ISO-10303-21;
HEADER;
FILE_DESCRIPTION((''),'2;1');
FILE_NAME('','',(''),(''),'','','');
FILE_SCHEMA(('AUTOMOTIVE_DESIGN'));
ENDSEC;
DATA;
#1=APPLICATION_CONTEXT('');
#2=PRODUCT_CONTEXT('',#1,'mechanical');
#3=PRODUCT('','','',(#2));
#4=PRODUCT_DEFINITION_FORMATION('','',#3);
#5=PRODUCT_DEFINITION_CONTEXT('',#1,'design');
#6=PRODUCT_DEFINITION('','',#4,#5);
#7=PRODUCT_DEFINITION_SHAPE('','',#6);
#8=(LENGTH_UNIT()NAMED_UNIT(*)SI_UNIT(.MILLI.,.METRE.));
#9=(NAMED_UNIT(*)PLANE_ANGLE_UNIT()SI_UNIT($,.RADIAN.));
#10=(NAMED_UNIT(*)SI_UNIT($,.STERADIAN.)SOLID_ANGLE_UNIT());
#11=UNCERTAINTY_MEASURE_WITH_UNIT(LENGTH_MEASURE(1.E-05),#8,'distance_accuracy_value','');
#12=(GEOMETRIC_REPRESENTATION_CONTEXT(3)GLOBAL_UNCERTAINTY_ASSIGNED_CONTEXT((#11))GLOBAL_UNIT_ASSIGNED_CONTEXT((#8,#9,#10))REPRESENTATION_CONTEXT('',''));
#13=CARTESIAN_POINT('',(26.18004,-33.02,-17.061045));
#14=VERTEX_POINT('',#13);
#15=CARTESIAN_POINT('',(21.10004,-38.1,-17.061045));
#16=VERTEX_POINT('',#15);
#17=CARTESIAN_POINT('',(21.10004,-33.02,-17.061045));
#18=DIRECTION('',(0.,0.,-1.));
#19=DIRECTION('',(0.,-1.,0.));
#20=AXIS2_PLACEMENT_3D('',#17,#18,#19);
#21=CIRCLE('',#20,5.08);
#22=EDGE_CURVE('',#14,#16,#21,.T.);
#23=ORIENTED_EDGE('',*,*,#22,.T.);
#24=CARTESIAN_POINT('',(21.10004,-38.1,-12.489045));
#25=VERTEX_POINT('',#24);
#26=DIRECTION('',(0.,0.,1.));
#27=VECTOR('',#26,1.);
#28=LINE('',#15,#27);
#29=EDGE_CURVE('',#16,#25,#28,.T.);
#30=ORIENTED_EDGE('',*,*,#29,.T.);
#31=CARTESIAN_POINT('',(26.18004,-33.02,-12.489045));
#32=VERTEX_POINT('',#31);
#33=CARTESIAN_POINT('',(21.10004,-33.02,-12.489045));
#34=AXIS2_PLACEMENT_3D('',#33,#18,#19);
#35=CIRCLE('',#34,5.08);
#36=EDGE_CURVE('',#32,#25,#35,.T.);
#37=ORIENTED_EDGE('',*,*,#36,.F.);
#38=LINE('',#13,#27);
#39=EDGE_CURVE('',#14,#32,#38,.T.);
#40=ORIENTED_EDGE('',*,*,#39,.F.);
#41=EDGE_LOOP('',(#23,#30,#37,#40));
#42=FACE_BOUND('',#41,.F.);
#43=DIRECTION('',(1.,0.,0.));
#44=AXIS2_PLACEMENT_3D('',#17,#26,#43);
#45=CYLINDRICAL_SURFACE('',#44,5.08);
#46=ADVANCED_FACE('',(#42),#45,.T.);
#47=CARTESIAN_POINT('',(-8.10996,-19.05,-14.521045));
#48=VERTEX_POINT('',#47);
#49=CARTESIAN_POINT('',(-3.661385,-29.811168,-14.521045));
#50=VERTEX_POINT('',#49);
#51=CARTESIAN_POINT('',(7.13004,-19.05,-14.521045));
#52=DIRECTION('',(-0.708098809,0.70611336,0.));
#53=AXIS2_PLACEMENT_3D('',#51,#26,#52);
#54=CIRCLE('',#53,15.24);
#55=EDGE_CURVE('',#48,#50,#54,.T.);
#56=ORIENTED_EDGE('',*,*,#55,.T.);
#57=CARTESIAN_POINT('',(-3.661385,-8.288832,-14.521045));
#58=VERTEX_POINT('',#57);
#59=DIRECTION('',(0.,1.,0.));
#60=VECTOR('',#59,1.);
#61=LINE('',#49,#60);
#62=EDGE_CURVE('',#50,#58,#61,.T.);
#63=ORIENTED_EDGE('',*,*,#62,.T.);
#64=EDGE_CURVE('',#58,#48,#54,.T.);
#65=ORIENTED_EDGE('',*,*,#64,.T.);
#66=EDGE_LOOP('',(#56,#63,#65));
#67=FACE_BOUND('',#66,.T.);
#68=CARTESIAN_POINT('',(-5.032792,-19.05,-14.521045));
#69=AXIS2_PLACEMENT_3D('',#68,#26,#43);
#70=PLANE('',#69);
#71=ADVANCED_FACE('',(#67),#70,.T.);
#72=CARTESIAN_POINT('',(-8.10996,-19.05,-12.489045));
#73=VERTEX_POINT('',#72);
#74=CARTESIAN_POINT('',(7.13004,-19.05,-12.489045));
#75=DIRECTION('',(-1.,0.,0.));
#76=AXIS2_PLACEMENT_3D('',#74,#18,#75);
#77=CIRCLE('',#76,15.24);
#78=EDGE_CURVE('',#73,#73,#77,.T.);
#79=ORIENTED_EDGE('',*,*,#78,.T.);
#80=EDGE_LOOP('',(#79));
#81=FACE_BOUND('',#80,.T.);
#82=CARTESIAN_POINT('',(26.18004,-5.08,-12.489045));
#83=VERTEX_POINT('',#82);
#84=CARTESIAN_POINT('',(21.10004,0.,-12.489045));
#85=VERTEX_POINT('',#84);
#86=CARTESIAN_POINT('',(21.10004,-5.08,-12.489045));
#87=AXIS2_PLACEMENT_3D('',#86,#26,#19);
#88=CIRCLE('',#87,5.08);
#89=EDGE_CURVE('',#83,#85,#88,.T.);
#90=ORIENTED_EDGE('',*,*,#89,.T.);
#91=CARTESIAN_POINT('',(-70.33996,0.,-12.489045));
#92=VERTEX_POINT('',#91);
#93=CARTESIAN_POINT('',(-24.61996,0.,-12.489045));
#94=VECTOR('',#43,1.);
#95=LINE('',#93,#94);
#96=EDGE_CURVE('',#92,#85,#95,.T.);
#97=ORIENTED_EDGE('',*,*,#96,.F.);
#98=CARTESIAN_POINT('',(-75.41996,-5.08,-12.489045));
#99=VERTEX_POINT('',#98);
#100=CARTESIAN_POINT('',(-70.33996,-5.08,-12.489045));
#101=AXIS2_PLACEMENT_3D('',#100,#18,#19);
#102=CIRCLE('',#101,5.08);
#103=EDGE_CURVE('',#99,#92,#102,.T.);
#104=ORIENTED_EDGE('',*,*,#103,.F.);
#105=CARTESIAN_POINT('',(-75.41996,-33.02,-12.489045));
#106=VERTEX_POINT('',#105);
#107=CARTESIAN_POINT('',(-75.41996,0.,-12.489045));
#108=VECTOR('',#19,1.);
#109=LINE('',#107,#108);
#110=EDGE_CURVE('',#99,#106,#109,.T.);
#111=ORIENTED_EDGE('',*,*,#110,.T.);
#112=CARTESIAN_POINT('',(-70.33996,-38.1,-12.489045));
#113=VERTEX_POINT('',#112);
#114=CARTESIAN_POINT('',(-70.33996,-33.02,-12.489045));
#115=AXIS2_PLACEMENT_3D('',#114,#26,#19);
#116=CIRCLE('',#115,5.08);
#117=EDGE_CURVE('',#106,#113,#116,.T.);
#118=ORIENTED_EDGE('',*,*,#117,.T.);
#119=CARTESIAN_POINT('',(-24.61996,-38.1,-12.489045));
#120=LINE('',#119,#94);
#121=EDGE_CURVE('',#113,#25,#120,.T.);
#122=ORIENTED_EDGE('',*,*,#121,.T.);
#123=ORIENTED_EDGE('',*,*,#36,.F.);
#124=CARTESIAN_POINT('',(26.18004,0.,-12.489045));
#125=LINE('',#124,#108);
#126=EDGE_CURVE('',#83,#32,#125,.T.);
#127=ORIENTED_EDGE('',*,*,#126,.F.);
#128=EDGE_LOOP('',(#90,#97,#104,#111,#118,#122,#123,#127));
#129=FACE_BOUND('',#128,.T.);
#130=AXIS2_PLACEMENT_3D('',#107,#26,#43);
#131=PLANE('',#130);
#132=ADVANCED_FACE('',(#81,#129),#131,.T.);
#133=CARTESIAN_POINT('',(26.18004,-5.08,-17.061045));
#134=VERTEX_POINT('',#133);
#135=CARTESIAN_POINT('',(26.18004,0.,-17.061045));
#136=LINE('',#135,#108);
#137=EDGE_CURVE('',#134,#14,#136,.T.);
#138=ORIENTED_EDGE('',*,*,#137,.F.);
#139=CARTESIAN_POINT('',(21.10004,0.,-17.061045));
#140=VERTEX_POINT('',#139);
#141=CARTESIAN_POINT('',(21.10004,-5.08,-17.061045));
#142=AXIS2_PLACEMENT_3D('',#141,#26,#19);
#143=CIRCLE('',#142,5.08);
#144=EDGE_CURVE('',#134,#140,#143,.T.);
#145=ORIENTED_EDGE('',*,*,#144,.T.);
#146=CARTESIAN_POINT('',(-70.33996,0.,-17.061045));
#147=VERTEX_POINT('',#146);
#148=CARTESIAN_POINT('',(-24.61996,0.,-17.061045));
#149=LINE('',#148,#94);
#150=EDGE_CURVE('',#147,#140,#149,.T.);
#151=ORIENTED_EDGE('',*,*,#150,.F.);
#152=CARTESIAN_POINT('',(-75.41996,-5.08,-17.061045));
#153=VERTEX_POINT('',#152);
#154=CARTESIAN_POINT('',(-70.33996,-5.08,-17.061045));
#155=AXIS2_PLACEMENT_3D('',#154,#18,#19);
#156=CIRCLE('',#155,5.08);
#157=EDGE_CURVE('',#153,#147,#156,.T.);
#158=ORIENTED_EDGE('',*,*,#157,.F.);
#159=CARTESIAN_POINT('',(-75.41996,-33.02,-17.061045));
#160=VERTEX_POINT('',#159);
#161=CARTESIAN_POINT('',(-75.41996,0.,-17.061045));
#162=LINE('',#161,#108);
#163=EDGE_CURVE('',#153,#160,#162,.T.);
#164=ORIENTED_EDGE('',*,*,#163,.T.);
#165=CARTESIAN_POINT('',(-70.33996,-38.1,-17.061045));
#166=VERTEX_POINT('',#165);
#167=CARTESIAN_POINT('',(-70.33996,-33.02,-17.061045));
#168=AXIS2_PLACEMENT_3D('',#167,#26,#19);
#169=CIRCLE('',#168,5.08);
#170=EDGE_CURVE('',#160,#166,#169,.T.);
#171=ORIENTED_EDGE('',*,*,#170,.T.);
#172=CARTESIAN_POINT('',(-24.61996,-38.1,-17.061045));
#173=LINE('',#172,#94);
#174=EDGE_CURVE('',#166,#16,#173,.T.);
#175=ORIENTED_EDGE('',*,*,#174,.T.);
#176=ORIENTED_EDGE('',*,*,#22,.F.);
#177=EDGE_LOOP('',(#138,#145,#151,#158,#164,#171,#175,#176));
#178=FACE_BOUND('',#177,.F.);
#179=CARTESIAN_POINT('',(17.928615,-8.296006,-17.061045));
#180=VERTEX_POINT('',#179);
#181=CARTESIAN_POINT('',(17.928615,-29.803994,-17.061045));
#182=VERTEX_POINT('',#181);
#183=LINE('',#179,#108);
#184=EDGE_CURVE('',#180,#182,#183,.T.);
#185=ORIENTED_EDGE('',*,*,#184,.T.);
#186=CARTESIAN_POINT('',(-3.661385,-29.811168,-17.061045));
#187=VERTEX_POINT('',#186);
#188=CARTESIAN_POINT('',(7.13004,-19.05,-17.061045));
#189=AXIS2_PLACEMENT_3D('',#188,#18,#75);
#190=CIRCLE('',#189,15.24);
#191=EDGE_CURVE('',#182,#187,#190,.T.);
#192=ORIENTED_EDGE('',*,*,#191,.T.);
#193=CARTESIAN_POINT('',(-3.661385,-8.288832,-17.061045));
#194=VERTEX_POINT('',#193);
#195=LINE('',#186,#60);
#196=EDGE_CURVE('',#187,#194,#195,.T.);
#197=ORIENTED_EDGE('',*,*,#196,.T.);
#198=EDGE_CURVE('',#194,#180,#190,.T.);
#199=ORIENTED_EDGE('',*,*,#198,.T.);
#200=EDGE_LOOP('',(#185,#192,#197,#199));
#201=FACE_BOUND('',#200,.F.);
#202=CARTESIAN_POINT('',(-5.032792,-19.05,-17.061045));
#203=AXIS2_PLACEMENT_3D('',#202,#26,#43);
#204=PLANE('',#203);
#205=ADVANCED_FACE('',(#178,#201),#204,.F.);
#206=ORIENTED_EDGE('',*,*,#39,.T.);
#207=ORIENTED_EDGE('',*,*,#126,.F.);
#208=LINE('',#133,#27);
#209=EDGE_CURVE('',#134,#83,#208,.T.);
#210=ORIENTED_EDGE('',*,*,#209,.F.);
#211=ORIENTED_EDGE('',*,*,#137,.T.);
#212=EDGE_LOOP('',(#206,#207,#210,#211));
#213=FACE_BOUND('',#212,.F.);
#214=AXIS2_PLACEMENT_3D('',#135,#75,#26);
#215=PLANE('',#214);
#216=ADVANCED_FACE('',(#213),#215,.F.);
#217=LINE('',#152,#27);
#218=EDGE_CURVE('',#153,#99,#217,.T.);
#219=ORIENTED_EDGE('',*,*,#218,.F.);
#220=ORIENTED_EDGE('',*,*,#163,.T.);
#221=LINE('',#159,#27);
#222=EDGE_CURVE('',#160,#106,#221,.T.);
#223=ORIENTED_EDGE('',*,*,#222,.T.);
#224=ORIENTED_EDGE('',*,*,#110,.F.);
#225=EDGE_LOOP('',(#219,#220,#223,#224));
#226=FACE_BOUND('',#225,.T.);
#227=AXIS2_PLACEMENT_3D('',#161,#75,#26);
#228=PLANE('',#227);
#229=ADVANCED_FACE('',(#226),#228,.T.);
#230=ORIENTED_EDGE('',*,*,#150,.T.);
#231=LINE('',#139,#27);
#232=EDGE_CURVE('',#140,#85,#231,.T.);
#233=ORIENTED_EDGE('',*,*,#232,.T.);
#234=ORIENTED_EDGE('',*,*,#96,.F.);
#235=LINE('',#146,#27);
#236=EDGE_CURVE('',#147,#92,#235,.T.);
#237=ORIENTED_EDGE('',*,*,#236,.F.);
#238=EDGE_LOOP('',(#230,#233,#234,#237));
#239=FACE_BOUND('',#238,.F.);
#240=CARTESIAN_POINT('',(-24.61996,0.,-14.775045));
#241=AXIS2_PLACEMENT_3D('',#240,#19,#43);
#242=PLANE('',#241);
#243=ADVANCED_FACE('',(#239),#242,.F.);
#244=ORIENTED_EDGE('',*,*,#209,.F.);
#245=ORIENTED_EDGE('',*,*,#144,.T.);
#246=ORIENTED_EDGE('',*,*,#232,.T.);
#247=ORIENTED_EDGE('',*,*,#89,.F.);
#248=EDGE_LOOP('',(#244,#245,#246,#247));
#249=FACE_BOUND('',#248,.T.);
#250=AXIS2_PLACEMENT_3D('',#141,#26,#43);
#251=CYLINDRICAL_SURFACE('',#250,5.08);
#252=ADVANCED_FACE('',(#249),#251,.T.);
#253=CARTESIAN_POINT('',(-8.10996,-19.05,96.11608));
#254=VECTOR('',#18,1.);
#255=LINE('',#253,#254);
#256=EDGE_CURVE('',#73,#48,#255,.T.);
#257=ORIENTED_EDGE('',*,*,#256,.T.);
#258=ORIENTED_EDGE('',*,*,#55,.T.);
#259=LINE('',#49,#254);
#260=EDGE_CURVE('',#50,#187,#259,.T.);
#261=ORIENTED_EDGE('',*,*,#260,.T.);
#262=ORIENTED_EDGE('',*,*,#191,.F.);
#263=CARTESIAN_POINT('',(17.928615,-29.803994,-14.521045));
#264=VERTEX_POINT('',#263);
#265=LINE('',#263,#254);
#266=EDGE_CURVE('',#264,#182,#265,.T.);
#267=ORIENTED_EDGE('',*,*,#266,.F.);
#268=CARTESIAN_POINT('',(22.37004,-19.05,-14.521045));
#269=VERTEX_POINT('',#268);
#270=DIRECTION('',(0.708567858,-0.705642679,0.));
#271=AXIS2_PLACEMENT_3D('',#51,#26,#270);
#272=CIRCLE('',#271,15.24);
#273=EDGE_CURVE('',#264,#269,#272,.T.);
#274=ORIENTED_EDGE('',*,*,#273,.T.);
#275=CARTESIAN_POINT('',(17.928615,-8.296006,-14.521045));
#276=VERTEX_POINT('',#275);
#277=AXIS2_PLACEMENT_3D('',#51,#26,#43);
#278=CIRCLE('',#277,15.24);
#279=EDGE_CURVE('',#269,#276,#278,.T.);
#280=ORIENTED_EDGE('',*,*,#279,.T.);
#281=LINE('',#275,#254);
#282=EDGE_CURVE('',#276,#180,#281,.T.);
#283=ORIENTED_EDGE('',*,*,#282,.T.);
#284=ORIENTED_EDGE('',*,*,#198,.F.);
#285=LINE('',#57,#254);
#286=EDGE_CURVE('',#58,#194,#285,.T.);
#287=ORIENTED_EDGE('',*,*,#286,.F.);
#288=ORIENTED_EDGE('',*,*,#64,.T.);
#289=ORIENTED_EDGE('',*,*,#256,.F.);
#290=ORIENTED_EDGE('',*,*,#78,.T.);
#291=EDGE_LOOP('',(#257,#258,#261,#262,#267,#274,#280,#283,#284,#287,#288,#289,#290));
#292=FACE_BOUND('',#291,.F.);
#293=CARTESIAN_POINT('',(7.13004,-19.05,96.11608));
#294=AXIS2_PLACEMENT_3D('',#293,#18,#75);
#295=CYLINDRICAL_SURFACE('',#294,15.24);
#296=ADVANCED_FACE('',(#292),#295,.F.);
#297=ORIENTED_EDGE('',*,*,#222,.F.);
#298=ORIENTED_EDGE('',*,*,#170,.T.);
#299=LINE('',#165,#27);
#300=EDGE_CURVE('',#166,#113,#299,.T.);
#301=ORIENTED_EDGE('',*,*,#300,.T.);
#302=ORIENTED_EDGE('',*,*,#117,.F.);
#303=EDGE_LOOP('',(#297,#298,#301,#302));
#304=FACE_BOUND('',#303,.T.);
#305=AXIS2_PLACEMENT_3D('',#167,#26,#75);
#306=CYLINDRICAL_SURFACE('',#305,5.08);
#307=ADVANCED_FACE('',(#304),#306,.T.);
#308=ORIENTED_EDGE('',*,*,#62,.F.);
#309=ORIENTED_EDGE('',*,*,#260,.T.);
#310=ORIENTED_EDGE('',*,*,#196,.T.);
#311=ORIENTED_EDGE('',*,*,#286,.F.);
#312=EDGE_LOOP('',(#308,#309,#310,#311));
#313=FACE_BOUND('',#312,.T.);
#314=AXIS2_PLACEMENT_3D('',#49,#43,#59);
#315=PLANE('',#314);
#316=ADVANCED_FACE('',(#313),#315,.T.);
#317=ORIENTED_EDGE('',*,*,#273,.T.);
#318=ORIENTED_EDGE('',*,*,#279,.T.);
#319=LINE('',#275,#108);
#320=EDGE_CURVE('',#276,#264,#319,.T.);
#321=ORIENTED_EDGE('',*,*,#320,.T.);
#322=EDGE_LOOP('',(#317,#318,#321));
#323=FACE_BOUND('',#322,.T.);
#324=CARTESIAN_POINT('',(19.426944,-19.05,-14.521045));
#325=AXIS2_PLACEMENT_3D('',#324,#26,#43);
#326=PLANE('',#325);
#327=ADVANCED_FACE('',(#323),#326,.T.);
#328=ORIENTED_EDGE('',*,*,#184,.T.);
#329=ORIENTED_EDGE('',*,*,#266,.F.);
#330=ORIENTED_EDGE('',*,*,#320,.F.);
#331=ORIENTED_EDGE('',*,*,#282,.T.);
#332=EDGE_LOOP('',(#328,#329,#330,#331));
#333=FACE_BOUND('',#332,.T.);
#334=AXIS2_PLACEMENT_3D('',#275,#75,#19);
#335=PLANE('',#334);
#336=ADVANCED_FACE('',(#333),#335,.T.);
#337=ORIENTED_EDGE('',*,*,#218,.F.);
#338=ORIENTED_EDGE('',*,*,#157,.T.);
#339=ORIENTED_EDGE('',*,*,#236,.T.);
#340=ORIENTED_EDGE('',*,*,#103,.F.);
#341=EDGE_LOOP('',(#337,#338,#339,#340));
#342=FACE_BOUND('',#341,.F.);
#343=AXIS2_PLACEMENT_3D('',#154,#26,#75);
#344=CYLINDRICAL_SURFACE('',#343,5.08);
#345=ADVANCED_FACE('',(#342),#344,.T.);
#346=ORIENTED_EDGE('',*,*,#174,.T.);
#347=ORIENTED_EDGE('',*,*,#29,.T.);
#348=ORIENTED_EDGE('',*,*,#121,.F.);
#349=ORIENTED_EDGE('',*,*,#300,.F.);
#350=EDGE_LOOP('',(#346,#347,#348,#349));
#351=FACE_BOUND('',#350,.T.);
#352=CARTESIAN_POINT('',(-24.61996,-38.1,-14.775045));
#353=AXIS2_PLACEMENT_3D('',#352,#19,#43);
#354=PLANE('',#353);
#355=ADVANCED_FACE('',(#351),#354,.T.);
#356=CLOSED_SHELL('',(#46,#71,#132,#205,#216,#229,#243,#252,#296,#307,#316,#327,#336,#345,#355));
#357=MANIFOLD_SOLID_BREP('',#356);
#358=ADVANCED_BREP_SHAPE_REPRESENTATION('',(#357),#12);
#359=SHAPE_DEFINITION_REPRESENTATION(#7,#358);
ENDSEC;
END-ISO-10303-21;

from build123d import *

# Parameters (mm, degrees)
F0_W     = 101.6
F0_H     = 4.572
F1_DEPTH = 38.1
F2_R     = 5.08
F4_D     = 30.48
F6_START = -2.032
F6_DEPTH = 2.54


with BuildPart() as f1:
    # F0 (on Front) → F1 (new body)
    with BuildSketch(Plane.XZ):
        with Locations((-24.6199596018, -14.7750445657)):
            Rectangle(F0_W, F0_H)
    extrude(amount=F1_DEPTH)

    # F2
    f2_edges = [f1.edges().sort_by_distance(p)[0] for p in [
        (26.18004, -38.1, -14.775045),
        (26.18004, 0, -14.775045),
        (-75.41996, -38.1, -14.775045),
        (-75.41996, 0, -14.775045),
    ]]
    fillet(f2_edges, radius=F2_R)

    # F4 (through all)
    with Locations(Plane.XY.offset(-12.4890445657)):
        with Locations((7.1300403982, -19.05)):
            Hole(F4_D / 2)

    # F5 (on face) → F6 (join)
    with BuildSketch(Plane.XY.offset(-12.4890445657).offset(F6_START)):
        with BuildLine():
            ThreePointArc((22.3700403982, -19.05), (21.2159885399, -13.2324691706), (17.9286145516, -8.2960055675))
            Line((17.9286145516, -8.2960055675), (17.9286145516, -29.8039944325))
            ThreePointArc((17.9286145516, -29.8039944325), (21.2159885399, -24.8675308294), (22.3700403982, -19.05))
        make_face()
        with BuildLine():
            Line((-3.6613854484, -29.8111676038), (-3.6613854484, -8.2888323962))
            ThreePointArc((-3.6613854484, -8.2888323962), (-8.1099596018, -19.05), (-3.6613854484, -29.8111676038))
        make_face()
    extrude(amount=-F6_DEPTH)


solid = f1.part
